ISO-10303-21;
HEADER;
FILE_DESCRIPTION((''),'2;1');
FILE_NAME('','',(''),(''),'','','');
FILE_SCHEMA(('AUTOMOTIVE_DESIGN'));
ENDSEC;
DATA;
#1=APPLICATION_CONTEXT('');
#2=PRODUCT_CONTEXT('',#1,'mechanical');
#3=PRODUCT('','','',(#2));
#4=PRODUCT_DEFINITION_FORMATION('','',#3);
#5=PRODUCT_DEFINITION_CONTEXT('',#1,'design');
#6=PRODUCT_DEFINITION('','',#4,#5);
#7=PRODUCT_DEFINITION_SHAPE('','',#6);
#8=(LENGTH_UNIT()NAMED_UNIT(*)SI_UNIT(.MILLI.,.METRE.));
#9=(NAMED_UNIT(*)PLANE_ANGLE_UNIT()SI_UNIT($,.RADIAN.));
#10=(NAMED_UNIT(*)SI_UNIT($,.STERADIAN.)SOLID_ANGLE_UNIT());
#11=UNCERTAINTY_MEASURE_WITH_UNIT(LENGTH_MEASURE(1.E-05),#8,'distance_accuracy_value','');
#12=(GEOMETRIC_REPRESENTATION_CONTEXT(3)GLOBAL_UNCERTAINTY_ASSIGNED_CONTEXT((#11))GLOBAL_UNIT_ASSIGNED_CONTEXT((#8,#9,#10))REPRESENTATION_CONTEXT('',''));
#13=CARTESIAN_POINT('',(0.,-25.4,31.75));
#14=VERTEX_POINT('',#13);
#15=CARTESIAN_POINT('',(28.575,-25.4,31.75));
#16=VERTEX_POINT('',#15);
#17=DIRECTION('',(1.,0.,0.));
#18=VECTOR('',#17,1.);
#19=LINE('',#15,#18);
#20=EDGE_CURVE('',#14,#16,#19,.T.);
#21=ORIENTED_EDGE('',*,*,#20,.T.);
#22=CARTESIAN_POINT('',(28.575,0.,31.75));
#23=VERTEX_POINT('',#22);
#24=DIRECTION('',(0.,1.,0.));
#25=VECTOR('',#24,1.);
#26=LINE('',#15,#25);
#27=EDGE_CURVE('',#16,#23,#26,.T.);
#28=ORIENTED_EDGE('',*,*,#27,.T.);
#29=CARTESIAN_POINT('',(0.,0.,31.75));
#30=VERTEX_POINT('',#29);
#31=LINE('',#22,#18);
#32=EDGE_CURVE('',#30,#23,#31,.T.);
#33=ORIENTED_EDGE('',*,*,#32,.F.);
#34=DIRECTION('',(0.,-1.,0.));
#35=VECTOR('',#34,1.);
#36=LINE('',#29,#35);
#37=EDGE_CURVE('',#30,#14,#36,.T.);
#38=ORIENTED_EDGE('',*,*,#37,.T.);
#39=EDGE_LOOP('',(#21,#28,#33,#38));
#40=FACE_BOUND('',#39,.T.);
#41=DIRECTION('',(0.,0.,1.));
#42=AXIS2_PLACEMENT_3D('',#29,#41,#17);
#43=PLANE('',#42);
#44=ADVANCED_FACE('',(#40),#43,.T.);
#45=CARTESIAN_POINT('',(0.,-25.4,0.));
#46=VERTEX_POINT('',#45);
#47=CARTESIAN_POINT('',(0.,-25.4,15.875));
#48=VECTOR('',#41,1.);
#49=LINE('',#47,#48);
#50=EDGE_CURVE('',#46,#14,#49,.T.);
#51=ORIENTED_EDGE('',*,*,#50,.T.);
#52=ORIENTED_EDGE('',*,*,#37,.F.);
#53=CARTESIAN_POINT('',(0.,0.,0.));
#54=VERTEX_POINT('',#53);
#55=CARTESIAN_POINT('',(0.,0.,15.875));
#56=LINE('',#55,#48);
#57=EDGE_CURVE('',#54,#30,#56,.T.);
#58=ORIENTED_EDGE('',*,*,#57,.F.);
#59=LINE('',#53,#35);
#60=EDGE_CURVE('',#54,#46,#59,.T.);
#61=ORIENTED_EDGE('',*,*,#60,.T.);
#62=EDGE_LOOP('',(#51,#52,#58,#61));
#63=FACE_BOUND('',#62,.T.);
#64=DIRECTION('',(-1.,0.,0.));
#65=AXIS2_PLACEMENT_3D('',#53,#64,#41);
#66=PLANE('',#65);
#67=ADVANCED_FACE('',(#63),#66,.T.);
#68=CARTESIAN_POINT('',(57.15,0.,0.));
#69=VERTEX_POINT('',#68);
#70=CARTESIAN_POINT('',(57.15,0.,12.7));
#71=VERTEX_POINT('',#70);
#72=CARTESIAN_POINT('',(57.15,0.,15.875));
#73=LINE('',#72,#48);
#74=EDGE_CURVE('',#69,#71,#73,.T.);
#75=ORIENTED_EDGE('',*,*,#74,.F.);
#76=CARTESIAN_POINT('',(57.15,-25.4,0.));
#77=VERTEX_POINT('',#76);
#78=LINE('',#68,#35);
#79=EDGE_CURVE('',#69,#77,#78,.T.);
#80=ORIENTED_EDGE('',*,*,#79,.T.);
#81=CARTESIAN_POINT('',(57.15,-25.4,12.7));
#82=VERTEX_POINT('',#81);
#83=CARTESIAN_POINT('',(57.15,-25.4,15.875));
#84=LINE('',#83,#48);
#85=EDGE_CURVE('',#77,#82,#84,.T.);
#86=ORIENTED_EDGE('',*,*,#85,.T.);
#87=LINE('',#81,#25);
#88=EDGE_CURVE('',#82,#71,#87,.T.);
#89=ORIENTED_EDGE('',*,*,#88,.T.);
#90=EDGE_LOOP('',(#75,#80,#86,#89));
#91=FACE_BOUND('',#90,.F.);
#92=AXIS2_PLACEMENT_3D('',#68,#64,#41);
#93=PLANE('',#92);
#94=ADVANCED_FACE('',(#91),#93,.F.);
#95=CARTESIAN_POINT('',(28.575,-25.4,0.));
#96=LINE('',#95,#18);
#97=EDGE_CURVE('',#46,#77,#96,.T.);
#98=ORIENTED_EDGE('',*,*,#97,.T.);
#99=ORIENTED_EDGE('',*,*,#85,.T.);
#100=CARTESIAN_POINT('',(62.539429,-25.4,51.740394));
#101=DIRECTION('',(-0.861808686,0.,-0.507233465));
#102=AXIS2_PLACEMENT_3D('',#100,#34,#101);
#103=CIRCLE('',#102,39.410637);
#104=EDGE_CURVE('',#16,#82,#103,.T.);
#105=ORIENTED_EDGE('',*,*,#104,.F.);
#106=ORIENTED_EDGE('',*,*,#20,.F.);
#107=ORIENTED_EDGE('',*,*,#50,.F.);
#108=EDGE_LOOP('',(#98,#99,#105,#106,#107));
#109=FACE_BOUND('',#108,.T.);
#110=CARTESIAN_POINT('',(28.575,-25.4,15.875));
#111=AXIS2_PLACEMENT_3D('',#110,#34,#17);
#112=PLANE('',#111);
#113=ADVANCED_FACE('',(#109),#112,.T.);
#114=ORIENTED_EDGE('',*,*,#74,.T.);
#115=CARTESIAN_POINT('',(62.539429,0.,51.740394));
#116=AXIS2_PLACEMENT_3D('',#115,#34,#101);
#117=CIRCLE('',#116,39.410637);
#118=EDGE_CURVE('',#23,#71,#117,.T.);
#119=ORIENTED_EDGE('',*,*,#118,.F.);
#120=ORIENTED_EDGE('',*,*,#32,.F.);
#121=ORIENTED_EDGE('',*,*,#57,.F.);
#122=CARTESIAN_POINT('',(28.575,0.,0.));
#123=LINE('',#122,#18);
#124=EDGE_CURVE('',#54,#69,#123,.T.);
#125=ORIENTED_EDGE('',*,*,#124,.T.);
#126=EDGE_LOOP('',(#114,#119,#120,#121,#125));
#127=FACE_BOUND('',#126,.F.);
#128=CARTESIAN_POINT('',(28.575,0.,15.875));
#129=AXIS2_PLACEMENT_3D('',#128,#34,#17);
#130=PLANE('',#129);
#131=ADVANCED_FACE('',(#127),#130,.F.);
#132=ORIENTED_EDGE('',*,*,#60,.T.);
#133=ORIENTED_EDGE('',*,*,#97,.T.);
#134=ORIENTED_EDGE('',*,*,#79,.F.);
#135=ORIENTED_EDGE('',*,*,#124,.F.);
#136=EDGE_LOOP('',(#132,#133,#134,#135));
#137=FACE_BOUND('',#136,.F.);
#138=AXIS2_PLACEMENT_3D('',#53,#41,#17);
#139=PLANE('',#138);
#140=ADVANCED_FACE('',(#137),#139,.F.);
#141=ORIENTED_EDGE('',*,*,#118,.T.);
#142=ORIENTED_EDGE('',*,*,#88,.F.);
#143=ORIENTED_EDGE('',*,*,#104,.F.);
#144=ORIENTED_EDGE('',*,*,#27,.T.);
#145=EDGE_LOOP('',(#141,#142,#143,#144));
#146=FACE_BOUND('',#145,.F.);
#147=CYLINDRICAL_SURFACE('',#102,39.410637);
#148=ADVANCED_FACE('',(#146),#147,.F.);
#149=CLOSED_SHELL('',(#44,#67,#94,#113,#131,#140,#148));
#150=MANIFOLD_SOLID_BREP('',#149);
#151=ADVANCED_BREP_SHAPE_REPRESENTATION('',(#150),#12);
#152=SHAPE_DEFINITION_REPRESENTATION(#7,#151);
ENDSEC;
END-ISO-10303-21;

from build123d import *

# Parameters (mm, degrees)
F0_W     = 57.15
F0_H     = 31.75
F1_DEPTH = 25.4
F3_DEPTH = 25.4


with BuildPart() as f1:
    # F0 (on Front) → F1 (new body)
    with BuildSketch(Plane.XZ):
        with Locations((28.575, 15.875)):
            Rectangle(F0_W, F0_H)
    extrude(amount=F1_DEPTH)

    # F2 (on face) → F3 (cut)
    with BuildSketch(Plane.XZ.offset(25.4)):
        with BuildLine():
            Line((57.15, 31.75), (28.575, 31.75))
            ThreePointArc((28.575, 31.75), (40.678341, 18.948762), (57.15, 12.7))
            Line((57.15, 12.7), (57.15, 31.75))
        make_face()
    extrude(amount=-F3_DEPTH, mode=Mode.SUBTRACT)


solid = f1.part
